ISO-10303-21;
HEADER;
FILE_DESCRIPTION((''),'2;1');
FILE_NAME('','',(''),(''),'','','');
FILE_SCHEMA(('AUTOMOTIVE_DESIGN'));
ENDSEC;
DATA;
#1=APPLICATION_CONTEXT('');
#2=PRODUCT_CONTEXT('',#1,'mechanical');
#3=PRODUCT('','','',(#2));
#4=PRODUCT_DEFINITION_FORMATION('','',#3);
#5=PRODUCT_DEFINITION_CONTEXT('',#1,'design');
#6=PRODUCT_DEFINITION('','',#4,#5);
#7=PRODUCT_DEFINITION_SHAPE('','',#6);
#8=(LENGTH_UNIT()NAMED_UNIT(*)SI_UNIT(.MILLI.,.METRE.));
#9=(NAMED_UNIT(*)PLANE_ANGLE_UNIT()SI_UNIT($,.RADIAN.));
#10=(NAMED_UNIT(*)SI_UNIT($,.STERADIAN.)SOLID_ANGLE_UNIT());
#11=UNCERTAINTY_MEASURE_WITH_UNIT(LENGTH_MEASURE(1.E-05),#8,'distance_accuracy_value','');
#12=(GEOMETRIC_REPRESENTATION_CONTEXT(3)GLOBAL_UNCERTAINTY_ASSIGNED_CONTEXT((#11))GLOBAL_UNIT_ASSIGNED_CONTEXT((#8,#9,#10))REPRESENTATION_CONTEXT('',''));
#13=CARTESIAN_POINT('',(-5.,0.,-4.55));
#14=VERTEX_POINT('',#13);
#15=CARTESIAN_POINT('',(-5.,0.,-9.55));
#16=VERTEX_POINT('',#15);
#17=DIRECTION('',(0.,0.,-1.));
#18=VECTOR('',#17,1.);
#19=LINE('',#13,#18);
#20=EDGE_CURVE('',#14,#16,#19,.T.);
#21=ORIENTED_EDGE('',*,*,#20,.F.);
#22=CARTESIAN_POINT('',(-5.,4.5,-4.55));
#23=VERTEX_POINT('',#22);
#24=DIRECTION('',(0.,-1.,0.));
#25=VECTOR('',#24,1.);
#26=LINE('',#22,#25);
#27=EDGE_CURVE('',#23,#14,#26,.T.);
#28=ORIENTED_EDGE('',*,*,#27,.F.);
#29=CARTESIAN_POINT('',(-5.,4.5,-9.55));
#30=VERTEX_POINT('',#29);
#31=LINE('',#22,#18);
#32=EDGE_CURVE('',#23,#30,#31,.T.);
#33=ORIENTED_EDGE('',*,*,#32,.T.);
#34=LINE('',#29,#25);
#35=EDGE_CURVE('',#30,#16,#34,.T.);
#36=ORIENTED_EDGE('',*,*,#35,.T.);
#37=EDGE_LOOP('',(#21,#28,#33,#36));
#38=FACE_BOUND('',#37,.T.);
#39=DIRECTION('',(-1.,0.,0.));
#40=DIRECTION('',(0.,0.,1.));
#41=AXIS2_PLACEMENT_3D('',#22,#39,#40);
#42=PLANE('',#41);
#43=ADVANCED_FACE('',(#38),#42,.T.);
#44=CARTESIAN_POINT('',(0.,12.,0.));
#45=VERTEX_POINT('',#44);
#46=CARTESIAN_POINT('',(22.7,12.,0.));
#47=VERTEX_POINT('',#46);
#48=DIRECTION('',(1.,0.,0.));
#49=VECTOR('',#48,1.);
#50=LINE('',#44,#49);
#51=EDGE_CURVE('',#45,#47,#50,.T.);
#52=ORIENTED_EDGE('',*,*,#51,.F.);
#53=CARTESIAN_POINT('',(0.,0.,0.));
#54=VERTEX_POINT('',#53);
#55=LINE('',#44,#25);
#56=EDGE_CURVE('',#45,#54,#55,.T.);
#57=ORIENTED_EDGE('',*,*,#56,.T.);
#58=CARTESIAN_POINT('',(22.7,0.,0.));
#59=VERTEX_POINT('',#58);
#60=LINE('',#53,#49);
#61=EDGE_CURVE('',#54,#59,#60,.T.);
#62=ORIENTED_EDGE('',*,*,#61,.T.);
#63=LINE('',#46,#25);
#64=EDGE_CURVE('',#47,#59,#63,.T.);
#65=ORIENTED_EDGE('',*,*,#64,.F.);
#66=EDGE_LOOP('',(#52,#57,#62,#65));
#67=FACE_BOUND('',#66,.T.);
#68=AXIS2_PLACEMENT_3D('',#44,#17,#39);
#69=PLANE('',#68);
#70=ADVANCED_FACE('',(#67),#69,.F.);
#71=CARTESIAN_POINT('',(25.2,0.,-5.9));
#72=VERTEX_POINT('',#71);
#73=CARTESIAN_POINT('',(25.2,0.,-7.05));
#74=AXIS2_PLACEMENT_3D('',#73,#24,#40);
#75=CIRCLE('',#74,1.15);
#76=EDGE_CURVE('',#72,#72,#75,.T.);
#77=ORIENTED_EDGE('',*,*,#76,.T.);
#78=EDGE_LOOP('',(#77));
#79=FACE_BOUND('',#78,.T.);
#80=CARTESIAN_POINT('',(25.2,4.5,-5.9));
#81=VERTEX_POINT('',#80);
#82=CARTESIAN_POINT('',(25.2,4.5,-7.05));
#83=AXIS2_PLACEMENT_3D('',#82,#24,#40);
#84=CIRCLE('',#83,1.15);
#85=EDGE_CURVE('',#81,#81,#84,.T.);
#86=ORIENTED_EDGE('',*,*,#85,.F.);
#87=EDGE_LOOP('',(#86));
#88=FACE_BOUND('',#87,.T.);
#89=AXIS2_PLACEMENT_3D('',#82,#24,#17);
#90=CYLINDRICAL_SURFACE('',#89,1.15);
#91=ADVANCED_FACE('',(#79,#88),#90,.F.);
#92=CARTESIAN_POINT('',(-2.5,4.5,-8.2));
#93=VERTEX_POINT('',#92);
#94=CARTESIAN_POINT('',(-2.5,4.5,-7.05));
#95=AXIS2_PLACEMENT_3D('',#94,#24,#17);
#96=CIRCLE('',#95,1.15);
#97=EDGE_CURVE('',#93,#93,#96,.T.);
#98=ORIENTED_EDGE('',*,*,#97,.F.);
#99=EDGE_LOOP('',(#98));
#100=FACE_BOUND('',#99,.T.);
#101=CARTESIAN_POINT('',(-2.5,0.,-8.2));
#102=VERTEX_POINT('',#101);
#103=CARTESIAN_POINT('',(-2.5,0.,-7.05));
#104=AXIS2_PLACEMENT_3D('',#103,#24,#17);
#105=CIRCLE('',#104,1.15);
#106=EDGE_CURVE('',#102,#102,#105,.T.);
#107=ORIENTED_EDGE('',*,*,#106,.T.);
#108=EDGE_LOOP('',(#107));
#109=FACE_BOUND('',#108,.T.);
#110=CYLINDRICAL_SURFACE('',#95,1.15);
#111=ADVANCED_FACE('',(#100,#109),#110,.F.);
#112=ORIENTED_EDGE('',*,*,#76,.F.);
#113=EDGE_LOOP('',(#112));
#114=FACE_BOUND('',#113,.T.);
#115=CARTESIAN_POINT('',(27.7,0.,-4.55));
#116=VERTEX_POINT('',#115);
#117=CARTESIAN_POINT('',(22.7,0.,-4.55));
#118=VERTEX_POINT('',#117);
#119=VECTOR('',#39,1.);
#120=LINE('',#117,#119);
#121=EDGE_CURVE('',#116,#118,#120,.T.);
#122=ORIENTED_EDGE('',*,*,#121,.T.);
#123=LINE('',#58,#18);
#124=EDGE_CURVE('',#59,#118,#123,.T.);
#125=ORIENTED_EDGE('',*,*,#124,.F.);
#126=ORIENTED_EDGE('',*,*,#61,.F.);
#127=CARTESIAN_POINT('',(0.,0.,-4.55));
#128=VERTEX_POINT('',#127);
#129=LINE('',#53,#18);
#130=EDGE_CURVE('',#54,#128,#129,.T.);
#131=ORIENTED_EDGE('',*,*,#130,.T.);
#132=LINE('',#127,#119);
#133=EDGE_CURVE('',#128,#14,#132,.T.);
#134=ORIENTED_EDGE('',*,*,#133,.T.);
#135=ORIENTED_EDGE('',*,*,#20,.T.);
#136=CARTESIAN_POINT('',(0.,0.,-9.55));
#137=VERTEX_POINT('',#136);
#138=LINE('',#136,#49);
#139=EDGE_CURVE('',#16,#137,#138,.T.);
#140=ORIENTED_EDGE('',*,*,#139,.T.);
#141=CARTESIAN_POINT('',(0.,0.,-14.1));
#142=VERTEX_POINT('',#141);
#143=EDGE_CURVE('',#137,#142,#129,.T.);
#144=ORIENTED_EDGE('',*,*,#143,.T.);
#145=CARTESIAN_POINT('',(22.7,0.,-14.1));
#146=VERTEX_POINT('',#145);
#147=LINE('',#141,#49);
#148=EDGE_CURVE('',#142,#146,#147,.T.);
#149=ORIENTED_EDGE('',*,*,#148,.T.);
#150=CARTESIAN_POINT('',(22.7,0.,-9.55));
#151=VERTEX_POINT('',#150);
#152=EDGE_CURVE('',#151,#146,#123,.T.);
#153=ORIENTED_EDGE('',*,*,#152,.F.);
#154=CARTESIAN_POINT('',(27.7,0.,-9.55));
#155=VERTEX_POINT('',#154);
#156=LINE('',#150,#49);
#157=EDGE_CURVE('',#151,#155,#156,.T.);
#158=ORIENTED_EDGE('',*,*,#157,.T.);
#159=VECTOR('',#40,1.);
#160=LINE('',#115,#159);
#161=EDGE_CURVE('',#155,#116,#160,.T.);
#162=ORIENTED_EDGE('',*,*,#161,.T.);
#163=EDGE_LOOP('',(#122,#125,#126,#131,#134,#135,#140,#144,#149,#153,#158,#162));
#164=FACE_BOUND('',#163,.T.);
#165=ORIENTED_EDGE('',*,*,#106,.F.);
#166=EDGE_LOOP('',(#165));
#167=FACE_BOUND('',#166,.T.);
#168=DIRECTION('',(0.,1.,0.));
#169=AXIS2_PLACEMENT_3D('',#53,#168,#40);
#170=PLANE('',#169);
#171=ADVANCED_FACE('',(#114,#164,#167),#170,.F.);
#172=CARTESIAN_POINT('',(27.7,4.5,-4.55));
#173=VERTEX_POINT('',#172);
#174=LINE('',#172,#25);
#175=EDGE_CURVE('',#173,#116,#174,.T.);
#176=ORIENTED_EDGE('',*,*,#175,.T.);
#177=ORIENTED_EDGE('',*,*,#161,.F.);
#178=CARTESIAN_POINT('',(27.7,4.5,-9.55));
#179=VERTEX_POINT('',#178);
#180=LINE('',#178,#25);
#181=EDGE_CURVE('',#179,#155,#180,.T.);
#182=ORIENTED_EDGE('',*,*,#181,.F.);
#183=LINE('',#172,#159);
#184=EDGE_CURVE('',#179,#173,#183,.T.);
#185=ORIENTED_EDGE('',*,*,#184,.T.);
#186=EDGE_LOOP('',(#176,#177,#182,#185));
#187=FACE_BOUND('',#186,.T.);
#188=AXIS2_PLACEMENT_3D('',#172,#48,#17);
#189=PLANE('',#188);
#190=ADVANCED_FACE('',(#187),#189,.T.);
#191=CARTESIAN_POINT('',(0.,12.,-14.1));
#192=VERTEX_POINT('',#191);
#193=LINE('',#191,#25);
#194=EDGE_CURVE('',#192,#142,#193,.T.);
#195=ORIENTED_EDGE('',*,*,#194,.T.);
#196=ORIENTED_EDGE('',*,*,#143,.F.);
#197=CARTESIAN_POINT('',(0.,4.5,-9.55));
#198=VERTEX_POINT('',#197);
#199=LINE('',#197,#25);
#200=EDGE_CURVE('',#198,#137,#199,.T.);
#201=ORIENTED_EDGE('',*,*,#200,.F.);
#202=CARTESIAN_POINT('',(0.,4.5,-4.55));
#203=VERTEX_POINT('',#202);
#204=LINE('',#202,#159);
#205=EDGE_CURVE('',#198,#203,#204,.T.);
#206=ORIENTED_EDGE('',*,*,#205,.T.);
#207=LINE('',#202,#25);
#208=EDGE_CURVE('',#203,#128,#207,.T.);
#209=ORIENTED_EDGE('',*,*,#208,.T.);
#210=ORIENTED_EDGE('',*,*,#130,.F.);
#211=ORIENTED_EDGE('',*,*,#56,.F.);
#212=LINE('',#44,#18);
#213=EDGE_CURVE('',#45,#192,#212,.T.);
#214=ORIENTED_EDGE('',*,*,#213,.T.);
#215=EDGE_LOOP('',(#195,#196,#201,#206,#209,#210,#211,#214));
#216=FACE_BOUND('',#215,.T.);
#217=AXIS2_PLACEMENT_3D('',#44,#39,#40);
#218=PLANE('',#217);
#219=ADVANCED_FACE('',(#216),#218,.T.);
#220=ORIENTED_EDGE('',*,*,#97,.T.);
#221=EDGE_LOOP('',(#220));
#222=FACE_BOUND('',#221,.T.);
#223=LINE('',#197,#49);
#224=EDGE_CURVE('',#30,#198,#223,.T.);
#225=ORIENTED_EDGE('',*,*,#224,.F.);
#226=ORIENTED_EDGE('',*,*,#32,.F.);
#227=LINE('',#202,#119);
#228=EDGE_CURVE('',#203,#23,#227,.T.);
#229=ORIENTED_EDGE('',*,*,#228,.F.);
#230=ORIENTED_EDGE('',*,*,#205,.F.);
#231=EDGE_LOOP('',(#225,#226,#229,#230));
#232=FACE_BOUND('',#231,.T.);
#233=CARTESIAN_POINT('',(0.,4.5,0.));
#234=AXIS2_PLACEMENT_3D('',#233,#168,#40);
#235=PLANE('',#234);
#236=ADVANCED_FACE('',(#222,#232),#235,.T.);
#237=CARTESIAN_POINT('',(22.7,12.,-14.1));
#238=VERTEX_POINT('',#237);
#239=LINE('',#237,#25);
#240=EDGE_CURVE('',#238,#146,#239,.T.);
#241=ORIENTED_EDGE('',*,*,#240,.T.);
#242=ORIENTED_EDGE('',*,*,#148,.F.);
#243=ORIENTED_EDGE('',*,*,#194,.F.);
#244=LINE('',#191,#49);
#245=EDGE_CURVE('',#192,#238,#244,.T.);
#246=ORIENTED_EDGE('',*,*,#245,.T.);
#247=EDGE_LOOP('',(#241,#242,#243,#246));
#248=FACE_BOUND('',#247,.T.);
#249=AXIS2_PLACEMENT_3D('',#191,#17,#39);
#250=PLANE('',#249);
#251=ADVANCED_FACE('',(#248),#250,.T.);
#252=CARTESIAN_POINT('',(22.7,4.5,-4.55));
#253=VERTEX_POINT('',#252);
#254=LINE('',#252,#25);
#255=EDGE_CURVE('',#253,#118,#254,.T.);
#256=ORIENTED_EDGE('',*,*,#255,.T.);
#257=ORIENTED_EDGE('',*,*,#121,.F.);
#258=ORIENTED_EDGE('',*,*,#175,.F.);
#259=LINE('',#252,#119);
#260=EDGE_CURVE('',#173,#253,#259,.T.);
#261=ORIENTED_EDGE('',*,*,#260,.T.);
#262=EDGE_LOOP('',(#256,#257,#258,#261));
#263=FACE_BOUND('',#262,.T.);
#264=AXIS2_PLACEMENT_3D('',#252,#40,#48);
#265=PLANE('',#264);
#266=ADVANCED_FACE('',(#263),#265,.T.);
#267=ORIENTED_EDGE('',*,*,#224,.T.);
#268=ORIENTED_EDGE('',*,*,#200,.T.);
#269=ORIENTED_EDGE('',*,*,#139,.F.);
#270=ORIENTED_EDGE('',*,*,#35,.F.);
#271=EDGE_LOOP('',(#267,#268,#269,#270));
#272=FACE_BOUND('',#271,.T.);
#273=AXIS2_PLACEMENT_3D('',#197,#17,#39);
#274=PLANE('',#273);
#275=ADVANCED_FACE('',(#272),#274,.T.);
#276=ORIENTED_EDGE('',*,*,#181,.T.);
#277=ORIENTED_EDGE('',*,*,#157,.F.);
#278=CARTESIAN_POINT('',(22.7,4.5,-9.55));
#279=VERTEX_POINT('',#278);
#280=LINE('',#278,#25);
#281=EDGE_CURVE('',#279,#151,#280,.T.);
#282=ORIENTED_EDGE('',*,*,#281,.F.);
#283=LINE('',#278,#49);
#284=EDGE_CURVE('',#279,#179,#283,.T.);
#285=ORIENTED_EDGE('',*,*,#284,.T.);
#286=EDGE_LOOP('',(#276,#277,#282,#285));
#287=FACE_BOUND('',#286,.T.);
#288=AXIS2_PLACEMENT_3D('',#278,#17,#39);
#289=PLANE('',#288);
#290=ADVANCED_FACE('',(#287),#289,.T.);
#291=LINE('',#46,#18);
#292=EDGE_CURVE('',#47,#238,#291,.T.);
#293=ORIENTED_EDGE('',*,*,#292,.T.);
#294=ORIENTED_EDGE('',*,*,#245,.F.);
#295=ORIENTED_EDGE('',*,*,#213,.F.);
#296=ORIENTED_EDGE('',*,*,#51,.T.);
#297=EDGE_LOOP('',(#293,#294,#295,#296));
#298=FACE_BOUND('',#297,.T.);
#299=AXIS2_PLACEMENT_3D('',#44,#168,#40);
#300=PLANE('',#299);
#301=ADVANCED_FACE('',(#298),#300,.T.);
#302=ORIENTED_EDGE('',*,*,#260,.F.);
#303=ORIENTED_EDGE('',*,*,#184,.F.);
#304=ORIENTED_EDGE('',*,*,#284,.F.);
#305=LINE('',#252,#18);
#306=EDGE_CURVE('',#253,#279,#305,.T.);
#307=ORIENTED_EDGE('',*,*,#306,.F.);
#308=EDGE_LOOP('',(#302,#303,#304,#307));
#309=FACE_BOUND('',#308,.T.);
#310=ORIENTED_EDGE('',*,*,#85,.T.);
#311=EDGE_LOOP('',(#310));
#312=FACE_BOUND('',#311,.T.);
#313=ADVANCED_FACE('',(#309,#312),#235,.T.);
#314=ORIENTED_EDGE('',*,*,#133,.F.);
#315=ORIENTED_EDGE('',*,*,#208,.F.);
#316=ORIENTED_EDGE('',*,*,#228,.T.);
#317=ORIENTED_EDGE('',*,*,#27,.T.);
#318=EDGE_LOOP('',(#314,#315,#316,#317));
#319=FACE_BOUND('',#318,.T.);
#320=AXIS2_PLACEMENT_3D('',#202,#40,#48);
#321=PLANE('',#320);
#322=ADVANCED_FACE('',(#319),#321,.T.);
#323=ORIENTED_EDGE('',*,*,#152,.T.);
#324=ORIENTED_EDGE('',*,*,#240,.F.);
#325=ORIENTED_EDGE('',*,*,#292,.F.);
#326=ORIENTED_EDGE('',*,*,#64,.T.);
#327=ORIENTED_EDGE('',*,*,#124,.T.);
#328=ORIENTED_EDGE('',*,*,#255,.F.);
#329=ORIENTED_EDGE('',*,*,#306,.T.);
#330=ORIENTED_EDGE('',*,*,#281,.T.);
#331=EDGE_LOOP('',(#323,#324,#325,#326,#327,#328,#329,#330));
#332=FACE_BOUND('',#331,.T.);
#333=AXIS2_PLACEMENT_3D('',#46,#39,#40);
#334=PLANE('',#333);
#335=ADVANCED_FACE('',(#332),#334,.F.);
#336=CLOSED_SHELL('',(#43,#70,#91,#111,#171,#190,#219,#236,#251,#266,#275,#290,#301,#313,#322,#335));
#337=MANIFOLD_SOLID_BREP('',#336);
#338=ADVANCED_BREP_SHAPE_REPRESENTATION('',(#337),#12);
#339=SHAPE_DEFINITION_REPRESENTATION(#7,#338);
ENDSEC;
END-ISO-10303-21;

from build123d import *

# Parameters (mm, degrees)
SKETCH_1_W      = 22.7
SKETCH_1_H      = 14.1
EXTRUDE_1_DEPTH = 12
SKETCH_2_W      = 5
SKETCH_2_H      = 5
SKETCH_2_R      = 1.15
EXTRUDE_2_DEPTH = 4.5


with BuildPart() as part:
    # ｽｹｯﾁ1 → ﾎﾞｽ - 押し出し1 (new body)
    with BuildSketch(Plane(origin=(0, 0, 0), x_dir=(1, 0, 0), z_dir=(0, 1, 0))):
        with Locations((11.35, 7.05)):
            Rectangle(SKETCH_1_W, SKETCH_1_H)
    extrude(amount=EXTRUDE_1_DEPTH)

    # ｽｹｯﾁ2 → ﾎﾞｽ - 押し出し2 (add)
    # profile 1 of 2: a face of its own
    with BuildSketch(Plane.XZ):
        with Locations((-2.5, -7.05)):
            Rectangle(SKETCH_2_W, SKETCH_2_H)
        with Locations(Location((-2.5, -7.05, 0), (0, 0, 270))):
            Circle(SKETCH_2_R, mode=Mode.SUBTRACT)
    # profile 2 of 2: a face of its own
    with BuildSketch(Plane.XZ):
        with Locations((25.2, -7.05)):
            Rectangle(SKETCH_2_W, SKETCH_2_H)
        with Locations(Location((25.2, -7.05, 0), (0, 0, 90))):
            Circle(SKETCH_2_R, mode=Mode.SUBTRACT)
    extrude(amount=-EXTRUDE_2_DEPTH)


solid = part.part
